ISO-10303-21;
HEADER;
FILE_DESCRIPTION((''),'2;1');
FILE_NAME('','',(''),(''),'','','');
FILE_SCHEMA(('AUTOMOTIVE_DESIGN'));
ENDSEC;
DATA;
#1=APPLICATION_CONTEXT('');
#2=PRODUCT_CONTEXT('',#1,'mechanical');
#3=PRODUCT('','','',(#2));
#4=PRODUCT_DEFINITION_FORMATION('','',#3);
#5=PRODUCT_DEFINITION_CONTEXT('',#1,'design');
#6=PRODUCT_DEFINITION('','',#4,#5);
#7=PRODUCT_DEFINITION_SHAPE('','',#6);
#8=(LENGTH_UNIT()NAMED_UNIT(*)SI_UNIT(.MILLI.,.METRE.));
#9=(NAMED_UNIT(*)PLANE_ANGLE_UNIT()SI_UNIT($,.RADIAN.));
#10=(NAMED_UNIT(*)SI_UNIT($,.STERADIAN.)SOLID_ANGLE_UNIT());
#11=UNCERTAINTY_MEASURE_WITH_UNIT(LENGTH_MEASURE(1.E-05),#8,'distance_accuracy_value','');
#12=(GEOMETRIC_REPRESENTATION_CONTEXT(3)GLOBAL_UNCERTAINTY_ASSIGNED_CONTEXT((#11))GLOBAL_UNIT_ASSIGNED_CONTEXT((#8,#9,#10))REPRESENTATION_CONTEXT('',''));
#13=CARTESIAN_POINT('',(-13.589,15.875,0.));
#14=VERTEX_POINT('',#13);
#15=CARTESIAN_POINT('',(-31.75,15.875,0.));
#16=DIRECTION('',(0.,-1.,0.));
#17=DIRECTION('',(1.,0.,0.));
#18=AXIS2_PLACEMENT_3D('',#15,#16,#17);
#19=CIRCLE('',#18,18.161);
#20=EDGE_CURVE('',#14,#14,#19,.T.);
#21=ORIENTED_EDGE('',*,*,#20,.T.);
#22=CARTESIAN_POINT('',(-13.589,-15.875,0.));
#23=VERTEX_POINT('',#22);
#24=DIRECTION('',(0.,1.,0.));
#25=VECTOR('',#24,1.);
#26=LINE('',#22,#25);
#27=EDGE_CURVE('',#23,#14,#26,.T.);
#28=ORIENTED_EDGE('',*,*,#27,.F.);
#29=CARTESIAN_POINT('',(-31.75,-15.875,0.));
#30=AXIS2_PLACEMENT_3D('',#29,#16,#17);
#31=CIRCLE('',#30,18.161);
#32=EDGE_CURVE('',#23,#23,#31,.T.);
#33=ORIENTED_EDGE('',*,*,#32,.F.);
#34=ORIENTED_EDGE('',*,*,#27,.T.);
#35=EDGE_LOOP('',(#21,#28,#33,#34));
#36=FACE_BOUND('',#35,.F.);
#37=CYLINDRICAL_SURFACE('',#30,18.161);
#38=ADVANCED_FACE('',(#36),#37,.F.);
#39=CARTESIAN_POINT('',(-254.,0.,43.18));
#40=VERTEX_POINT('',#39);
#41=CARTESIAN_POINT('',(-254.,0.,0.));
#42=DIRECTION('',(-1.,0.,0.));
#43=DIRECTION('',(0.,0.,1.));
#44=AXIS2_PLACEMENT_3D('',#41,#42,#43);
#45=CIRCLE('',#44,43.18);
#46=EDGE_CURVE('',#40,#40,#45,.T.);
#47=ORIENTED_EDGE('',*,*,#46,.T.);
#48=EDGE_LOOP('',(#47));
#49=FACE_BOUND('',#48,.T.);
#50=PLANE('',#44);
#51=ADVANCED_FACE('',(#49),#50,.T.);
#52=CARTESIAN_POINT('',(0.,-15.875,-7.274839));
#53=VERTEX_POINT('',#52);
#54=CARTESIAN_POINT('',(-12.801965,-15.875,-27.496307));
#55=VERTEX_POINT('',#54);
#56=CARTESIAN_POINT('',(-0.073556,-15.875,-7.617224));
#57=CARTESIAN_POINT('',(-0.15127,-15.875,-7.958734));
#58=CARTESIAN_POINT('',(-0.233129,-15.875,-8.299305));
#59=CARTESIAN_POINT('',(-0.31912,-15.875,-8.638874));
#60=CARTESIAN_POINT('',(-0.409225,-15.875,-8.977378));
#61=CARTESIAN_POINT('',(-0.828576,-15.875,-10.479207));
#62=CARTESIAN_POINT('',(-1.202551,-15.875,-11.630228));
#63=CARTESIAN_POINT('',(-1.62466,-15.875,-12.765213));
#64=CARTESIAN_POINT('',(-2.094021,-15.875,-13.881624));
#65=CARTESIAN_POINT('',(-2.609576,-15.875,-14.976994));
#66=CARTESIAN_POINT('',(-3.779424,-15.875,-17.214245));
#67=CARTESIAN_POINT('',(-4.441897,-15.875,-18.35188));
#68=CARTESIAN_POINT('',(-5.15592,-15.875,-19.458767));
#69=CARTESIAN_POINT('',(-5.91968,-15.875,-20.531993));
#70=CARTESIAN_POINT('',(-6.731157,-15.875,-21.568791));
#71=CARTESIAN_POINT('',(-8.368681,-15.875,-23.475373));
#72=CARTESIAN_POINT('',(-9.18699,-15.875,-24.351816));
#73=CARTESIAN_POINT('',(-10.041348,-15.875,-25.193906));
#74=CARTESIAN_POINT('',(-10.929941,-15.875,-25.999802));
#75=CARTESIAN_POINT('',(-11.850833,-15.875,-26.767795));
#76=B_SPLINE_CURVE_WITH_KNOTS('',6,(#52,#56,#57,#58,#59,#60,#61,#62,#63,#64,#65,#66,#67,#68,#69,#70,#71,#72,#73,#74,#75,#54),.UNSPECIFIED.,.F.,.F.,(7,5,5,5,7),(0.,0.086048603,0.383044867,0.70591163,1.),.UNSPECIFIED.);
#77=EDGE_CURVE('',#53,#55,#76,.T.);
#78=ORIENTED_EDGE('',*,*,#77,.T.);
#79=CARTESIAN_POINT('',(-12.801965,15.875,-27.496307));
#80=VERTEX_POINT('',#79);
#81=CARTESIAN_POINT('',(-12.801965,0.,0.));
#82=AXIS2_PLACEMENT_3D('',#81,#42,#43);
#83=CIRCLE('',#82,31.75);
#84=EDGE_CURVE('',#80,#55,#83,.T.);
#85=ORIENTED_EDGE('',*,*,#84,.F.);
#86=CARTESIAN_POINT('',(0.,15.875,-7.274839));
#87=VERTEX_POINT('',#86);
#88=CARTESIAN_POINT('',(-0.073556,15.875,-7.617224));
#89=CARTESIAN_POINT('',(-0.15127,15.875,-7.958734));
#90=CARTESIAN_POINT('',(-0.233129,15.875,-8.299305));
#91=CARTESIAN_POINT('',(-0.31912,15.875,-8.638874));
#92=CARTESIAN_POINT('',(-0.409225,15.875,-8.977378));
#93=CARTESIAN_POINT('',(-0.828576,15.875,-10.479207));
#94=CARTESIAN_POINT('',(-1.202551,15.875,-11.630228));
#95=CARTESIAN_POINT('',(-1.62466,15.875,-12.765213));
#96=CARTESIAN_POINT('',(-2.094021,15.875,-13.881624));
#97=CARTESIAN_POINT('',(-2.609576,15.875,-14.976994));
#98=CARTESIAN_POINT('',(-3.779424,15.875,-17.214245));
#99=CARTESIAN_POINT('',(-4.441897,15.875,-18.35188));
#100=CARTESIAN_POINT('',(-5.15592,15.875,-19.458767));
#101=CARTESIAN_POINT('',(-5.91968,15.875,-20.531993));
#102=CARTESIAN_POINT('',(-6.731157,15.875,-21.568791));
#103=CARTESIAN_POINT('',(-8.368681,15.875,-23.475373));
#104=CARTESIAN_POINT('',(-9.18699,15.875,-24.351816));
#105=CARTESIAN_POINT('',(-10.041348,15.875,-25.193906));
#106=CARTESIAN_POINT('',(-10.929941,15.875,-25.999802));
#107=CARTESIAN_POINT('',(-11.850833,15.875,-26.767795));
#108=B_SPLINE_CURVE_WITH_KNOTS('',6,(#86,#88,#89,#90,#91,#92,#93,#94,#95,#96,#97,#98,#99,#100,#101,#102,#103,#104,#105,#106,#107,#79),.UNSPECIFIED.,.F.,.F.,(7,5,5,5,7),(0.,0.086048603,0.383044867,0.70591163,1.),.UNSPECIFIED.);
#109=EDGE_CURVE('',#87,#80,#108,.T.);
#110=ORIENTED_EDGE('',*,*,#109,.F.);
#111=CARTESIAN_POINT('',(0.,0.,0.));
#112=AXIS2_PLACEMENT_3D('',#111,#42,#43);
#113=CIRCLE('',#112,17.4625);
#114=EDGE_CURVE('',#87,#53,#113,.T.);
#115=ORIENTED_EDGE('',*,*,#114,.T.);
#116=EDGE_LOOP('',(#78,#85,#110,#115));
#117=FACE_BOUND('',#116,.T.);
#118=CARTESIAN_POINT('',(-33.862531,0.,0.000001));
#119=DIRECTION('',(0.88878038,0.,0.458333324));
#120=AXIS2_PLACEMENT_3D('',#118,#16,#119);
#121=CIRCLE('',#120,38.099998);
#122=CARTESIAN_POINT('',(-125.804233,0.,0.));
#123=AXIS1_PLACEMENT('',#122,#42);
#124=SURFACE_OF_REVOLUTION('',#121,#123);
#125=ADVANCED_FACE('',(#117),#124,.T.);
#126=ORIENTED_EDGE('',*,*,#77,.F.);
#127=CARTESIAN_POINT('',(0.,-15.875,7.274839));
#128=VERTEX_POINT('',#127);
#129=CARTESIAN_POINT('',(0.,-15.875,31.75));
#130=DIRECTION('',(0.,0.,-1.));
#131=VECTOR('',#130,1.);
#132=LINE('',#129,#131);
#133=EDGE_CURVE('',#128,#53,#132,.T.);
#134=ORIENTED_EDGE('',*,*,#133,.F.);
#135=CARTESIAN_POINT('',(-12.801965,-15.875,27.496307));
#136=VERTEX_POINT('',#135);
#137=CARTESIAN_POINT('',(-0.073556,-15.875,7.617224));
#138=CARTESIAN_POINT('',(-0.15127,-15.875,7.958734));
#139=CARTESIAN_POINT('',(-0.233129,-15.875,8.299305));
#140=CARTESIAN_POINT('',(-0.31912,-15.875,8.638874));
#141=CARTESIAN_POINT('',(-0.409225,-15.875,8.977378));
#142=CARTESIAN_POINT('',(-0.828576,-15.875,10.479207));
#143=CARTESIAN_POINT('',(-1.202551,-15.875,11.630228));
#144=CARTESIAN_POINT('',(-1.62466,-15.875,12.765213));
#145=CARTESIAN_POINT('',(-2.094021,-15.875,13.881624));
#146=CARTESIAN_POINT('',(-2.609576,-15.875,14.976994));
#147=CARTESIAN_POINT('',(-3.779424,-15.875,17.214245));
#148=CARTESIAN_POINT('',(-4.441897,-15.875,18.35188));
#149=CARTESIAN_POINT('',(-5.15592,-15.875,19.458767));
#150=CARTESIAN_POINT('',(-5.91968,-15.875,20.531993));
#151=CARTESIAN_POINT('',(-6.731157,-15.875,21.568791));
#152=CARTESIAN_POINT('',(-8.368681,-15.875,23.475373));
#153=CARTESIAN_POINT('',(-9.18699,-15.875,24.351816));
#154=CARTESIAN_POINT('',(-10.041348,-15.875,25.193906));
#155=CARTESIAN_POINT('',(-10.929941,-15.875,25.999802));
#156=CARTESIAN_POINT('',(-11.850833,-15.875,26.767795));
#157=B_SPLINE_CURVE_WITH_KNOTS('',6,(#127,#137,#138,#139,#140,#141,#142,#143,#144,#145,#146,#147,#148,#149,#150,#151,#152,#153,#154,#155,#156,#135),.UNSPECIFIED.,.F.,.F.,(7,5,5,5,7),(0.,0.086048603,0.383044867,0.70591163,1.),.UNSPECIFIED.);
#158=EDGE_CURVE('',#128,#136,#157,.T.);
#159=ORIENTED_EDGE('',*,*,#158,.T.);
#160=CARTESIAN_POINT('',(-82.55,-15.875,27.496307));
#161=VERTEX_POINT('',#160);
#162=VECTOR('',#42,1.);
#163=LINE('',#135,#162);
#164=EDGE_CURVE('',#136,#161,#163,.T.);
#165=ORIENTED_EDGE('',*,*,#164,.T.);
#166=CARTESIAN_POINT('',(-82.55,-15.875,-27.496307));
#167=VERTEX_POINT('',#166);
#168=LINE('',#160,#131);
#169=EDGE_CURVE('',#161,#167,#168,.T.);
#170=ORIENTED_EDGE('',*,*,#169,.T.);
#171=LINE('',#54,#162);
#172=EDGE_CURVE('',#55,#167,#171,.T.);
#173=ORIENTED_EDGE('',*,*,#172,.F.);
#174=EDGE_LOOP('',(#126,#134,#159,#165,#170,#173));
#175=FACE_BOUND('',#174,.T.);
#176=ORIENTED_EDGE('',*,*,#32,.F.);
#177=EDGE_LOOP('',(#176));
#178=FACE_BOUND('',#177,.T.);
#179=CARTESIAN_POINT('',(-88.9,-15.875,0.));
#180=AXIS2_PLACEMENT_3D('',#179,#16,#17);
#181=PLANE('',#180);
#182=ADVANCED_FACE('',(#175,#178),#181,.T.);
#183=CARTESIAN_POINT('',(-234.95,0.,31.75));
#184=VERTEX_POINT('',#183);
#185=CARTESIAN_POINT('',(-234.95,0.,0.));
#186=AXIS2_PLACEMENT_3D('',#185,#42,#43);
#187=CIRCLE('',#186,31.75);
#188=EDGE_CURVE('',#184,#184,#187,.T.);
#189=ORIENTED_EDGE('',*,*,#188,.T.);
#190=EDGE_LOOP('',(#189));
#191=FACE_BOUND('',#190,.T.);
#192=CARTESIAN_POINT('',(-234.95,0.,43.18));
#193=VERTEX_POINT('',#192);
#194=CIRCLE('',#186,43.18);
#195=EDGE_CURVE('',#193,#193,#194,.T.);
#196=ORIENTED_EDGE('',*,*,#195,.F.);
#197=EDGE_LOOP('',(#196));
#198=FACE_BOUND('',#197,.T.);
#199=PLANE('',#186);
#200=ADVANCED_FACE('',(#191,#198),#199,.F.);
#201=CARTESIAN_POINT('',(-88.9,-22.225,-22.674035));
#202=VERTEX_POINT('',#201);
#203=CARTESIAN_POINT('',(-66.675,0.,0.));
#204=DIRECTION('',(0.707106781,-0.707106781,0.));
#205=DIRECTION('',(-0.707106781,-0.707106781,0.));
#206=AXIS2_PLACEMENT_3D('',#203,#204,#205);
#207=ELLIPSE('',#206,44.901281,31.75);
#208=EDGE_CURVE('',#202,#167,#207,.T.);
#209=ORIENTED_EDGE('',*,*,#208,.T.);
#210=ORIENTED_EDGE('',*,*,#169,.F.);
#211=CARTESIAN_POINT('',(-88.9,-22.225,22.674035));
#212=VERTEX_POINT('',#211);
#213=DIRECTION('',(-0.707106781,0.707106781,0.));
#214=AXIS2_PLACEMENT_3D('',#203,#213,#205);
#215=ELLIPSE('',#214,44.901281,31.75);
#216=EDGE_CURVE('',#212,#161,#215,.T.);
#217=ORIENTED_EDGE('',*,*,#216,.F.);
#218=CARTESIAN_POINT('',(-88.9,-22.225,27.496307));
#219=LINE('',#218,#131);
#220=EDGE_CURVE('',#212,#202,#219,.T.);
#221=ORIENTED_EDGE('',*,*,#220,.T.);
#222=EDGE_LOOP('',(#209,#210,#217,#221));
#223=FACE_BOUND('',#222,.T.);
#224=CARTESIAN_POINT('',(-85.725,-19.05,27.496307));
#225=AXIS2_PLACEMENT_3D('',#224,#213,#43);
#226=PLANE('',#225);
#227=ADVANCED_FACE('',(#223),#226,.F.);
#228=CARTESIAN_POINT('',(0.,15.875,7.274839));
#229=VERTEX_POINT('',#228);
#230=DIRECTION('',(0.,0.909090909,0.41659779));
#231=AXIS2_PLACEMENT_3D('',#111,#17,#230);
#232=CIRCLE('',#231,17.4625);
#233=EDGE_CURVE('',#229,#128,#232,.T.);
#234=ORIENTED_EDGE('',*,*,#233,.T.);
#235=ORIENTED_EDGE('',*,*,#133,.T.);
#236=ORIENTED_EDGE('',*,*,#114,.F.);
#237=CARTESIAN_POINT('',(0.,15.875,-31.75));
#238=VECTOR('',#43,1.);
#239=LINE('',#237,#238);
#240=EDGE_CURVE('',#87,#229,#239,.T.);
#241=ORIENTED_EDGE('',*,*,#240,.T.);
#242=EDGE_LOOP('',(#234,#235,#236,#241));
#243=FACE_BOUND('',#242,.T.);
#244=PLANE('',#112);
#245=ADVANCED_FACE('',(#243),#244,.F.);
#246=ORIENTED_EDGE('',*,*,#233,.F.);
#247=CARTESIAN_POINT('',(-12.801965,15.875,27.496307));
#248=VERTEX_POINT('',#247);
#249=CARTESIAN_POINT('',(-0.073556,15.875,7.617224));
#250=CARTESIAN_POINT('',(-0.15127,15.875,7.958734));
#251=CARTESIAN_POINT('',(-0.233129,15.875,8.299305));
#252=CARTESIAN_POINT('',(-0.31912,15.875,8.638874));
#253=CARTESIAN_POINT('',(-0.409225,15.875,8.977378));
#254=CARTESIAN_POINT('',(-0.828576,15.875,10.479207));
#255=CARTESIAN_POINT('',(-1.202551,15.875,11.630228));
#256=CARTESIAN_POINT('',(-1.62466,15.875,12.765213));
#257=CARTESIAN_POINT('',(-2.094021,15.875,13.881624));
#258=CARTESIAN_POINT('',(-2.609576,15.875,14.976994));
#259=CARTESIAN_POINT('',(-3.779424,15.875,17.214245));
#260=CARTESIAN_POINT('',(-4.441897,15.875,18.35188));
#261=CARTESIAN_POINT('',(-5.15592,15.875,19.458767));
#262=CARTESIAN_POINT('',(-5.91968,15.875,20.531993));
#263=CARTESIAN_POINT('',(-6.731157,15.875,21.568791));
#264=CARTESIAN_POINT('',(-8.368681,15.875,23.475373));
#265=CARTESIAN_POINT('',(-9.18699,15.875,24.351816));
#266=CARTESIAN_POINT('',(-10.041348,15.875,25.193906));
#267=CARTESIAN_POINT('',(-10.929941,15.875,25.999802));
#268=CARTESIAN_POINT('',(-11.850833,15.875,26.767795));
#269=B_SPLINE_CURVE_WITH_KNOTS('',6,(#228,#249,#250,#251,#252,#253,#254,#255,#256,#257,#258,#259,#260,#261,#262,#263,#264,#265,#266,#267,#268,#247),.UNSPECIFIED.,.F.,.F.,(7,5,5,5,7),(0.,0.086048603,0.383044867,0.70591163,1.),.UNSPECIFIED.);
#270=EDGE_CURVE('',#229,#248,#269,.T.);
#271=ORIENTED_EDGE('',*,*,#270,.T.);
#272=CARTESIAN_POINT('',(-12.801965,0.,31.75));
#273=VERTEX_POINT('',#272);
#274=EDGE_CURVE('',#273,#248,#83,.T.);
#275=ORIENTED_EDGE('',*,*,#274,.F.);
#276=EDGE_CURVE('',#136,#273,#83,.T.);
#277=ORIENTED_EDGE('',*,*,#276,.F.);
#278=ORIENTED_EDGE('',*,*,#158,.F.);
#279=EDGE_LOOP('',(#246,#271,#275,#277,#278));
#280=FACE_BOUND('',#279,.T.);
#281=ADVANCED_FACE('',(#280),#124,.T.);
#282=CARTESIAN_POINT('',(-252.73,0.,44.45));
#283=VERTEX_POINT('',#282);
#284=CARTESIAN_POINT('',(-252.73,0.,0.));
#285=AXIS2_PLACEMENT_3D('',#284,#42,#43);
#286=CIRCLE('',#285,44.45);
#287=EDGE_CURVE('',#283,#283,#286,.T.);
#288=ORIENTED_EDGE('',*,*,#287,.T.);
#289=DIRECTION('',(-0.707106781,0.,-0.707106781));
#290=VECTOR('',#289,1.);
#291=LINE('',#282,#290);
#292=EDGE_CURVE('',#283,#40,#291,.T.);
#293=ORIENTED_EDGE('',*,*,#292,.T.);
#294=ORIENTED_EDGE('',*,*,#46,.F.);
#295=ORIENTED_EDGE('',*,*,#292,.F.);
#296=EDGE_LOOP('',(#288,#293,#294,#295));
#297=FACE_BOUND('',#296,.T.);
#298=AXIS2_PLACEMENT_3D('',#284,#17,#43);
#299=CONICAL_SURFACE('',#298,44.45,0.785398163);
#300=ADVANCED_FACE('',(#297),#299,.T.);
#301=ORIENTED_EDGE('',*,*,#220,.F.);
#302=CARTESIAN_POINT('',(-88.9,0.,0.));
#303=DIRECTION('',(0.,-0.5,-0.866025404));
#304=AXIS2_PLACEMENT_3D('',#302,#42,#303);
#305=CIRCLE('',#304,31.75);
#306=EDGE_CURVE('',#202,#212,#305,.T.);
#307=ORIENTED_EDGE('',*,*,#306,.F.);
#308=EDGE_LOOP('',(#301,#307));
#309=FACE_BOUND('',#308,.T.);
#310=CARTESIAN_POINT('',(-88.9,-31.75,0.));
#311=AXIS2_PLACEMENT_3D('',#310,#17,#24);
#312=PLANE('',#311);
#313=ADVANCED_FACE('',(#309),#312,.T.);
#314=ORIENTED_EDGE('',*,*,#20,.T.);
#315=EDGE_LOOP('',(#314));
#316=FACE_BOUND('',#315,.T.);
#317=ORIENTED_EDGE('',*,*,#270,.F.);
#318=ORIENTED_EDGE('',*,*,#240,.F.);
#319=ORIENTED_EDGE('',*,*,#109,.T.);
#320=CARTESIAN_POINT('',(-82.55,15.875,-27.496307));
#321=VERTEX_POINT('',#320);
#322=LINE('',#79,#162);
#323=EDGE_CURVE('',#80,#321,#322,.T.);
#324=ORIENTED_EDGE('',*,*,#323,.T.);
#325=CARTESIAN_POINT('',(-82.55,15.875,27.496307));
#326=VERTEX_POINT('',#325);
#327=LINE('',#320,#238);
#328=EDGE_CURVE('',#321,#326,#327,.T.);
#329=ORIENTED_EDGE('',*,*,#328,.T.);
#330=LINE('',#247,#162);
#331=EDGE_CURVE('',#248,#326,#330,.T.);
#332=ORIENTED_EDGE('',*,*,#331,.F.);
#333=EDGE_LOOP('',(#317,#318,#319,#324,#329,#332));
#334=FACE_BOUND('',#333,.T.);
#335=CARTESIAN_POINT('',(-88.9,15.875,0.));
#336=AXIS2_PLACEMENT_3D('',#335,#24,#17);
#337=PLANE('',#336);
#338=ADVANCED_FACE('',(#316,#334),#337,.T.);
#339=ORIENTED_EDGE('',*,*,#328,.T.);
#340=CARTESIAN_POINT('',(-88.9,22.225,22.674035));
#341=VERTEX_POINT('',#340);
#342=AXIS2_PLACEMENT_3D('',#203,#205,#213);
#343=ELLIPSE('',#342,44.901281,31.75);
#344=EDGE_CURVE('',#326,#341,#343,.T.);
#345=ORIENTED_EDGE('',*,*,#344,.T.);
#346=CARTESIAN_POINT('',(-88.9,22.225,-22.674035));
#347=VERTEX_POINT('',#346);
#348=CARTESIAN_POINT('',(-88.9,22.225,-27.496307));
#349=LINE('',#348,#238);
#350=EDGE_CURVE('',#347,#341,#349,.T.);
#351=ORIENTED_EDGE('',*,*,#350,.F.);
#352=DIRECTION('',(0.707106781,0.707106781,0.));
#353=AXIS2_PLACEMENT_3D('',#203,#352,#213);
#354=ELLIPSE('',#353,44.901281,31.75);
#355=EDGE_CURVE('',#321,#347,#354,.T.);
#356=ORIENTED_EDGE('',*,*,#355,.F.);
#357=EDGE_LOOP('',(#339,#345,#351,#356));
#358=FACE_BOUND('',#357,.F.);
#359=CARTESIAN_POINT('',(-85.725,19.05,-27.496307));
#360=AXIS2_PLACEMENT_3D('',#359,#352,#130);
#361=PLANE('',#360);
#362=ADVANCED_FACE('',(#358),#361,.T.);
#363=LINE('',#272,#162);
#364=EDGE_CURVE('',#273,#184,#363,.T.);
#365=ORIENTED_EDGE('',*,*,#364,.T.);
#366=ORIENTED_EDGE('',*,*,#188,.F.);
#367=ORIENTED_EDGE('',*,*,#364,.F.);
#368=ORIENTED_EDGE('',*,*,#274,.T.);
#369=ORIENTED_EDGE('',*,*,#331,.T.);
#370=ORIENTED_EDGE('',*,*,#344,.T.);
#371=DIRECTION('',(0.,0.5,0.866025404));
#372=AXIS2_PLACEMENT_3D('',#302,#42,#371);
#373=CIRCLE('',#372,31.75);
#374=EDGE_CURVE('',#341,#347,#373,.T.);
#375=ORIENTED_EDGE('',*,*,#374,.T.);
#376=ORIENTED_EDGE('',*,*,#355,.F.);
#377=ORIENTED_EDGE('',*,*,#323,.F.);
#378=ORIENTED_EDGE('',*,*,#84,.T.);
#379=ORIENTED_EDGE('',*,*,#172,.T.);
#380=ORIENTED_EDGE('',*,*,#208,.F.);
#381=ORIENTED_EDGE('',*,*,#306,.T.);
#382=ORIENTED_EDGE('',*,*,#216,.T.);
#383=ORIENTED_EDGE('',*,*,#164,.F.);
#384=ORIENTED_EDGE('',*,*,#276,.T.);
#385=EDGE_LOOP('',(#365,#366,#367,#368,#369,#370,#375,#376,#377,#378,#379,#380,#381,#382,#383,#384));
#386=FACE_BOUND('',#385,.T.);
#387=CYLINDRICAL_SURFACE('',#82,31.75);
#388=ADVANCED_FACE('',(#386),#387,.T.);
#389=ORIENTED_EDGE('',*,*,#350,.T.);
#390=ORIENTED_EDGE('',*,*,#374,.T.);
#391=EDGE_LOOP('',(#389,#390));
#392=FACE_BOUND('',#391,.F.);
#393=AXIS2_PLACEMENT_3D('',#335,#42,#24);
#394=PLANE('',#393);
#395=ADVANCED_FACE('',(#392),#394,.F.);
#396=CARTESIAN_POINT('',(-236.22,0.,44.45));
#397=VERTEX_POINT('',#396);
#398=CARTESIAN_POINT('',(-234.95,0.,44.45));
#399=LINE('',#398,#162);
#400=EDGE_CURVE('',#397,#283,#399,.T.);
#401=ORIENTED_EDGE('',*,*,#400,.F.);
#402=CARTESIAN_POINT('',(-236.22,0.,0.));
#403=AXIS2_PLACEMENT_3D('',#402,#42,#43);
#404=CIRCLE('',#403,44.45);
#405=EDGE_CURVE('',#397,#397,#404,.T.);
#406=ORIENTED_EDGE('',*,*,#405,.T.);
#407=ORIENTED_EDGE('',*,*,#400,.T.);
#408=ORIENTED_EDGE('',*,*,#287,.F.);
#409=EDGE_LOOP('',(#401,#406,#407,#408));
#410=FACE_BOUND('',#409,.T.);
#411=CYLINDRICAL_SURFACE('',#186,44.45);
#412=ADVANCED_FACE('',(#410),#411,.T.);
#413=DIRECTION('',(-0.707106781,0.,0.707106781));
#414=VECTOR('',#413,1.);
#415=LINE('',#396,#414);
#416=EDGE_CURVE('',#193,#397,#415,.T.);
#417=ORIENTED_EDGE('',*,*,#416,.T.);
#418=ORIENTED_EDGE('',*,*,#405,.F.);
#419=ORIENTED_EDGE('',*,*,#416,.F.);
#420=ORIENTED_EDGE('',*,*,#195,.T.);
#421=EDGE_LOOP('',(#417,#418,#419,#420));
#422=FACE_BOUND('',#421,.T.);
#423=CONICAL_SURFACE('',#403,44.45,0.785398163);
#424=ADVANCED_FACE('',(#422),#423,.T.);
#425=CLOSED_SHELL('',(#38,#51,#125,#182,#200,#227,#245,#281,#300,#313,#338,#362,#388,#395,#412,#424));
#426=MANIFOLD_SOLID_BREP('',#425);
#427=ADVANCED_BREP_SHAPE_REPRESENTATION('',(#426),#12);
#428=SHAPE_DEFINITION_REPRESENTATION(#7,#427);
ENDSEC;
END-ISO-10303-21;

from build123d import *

# Parameters (mm, degrees)
F2_W     = 88.9
F2_H     = 15.875
F3_DEPTH = 31.75
F4_SIZE  = 6.35
F5_R     = 18.161
F6_DEPTH = 60.326
F7_SIZE  = 1.27


with BuildPart() as f1:
    # F0 (on Front) → F1 (revolve)
    with BuildSketch(Plane.XZ):
        with BuildLine():
            Line((-254, 0), (0, 0))
            Line((0, 0), (0, 17.4625))
            ThreePointArc((0, 17.4625), (-5.487017, 25.425187), (-12.801965, 31.75))
            Line((-12.801965, 31.75), (-234.95, 31.75))
            Line((-234.95, 31.75), (-234.95, 44.45))
            Line((-234.95, 44.45), (-254, 44.45))
            Line((-254, 44.45), (-254, 0))
        make_face()
    revolve(axis=Axis((-125.804233, 0, 0), (-1, 0, 0)))

    # F2 (on Top) → F3 (cut, symmetric)
    with BuildSketch(Plane.XY):
        with Locations((-44.45, 23.8125)):
            Rectangle(F2_W, F2_H)
        with Locations((-44.45, -23.8125)):
            Rectangle(F2_W, F2_H)
    extrude(amount=F3_DEPTH, both=True, mode=Mode.SUBTRACT)

    # F4
    f4_edges = [f1.edges().sort_by_distance(p)[0] for p in [
        (-88.9, -15.875, 0),
        (-88.9, 15.875, 0),
    ]]
    chamfer(f4_edges, length=F4_SIZE)

    # F5 (on face) → F6 (cut, through all)
    with BuildSketch(Plane.XZ.offset(15.875)):
        with Locations((-31.75, 0)):
            Circle(F5_R)
    extrude(amount=-F6_DEPTH, mode=Mode.SUBTRACT)

    # F7
    f7_edges = [f1.edges().sort_by_distance(p)[0] for p in [
        (-234.95, 0, -44.45),
        (-254, 0, -44.45),
    ]]
    chamfer(f7_edges, length=F7_SIZE)


solid = f1.part
